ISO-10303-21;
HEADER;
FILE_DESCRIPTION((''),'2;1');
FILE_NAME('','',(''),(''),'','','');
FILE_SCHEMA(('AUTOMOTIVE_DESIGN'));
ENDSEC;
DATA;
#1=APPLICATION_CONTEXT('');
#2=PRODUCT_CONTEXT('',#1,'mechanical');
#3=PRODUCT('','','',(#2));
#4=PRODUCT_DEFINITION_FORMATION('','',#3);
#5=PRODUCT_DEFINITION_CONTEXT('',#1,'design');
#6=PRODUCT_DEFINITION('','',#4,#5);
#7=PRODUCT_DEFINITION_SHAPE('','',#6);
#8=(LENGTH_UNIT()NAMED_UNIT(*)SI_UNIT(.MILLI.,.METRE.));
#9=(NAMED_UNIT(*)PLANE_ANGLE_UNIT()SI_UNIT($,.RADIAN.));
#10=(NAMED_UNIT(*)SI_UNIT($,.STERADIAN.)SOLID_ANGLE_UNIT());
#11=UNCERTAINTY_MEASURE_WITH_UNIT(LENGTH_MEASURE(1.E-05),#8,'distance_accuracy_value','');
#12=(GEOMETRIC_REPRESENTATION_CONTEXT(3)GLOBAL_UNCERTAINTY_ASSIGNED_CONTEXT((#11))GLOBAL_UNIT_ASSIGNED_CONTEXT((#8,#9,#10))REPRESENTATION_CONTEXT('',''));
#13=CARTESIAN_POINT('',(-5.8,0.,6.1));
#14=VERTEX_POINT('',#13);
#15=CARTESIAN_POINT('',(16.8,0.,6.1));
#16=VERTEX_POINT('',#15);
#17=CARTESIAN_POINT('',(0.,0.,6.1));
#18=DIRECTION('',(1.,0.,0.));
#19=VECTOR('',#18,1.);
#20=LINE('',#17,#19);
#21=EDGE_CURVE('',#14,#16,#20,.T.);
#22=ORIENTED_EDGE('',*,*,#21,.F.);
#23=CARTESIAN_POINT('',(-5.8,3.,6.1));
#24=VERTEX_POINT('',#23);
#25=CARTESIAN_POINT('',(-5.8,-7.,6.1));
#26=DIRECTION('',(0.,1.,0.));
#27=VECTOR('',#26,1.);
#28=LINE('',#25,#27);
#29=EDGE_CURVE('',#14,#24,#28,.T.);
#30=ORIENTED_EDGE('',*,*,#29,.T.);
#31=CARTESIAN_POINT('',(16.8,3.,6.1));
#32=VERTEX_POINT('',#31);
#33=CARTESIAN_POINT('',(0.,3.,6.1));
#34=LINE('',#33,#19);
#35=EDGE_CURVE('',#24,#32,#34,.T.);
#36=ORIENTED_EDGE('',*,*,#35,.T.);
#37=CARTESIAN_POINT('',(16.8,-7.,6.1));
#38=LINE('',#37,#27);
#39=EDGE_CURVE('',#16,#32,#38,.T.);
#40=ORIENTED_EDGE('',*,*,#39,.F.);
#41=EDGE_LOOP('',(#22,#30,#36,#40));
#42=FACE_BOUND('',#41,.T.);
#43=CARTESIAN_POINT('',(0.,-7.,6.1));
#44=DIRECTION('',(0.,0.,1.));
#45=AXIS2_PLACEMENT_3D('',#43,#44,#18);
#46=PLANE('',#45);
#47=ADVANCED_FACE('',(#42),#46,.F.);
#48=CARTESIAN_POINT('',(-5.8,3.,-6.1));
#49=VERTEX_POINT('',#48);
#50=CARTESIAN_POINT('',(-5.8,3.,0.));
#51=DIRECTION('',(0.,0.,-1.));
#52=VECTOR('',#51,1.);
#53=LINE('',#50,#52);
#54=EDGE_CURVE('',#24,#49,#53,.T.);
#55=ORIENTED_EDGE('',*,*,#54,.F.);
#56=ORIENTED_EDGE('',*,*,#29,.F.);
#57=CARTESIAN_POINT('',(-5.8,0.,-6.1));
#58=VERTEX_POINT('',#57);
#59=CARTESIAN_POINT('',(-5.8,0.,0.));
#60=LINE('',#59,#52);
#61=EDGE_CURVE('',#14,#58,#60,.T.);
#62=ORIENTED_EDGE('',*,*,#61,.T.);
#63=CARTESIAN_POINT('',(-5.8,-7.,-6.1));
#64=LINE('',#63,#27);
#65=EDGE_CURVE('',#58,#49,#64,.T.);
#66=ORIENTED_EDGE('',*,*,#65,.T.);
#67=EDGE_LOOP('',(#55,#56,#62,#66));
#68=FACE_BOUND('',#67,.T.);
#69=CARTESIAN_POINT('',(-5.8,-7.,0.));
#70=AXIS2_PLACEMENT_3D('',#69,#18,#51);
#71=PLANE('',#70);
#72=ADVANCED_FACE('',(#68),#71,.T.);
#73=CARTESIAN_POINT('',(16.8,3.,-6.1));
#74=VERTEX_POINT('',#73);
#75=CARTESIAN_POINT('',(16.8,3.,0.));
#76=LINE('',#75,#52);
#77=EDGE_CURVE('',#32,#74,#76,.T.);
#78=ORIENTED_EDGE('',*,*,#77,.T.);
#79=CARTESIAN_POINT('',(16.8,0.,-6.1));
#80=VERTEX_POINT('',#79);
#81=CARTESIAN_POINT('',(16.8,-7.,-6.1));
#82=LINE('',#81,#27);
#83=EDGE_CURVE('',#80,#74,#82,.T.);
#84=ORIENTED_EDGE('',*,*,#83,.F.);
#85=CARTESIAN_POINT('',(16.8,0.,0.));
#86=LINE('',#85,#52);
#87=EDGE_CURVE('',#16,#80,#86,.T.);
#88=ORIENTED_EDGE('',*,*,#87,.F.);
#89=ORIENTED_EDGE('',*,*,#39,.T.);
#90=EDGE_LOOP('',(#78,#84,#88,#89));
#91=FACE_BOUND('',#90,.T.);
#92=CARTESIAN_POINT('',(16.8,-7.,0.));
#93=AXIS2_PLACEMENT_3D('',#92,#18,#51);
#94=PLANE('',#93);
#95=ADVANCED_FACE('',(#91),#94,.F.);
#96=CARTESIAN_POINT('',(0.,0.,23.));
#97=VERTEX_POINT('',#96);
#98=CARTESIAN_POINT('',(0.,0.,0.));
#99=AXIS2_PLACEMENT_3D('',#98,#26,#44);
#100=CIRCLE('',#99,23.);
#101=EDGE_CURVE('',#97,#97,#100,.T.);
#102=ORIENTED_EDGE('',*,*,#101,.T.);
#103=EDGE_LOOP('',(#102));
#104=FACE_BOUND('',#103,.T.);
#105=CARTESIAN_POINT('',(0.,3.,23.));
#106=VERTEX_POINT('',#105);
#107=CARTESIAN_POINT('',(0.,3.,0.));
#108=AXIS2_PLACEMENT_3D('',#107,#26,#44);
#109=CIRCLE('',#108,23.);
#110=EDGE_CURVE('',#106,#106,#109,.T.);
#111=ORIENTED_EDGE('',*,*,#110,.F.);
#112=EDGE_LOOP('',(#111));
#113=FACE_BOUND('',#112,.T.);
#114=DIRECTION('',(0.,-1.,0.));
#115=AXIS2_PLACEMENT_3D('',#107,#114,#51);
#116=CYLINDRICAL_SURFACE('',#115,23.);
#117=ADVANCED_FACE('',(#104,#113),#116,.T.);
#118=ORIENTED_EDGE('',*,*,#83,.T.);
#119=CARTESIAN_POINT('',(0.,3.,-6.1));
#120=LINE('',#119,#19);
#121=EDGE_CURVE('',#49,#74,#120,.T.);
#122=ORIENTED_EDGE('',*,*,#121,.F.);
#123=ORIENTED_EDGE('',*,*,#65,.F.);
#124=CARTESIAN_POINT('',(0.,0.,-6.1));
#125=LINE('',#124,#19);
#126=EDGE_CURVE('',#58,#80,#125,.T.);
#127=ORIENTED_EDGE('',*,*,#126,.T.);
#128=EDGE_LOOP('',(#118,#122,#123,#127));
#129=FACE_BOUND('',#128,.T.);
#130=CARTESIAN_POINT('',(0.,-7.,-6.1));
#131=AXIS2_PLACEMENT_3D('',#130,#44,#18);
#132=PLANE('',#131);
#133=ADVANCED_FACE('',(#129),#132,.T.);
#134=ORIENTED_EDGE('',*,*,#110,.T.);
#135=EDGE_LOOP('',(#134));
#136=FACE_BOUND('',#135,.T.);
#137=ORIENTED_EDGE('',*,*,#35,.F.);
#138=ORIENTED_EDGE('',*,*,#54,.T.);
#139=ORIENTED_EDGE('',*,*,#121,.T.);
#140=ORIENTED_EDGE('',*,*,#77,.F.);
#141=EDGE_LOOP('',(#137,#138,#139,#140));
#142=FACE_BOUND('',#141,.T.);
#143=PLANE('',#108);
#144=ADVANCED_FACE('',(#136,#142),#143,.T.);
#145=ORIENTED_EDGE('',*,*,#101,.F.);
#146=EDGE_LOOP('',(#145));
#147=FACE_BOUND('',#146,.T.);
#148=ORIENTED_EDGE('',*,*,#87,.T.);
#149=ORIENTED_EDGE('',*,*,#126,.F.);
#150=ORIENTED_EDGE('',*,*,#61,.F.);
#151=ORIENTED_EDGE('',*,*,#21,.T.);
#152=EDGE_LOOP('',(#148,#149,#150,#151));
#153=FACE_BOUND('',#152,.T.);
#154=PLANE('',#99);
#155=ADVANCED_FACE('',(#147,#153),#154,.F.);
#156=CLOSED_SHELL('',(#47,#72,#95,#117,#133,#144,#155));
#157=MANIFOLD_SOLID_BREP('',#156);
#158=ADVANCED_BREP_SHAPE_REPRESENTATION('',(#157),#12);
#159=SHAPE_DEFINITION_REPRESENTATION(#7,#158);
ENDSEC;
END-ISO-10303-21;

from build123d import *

# Parameters (mm, degrees)
SKETCH1_R           = 23
BOSS_EXTRUDE1_DEPTH = 3
SKETCH2_W           = 5.8
SKETCH2_H           = 6.1
SKETCH2_W_2         = 16.8
CUT_EXTRUDE1_DEPTH  = 10


with BuildPart() as part:
    # Sketch1 → Boss-Extrude1 (new body)
    with BuildSketch(Plane(origin=(0, 0, 0), x_dir=(1, 0, 0), z_dir=(0, 1, 0))):
        with Locations(Location((0, 0, 0), (0, 0, 270))):
            Circle(SKETCH1_R)
    extrude(amount=BOSS_EXTRUDE1_DEPTH)

    # Sketch2 → Cut-Extrude1 (cut)
    with BuildSketch(Plane(origin=(0, 3, 0), x_dir=(1, 0, 0), z_dir=(0, 1, 0))):
        with Locations((-2.9, 3.05)):
            Rectangle(SKETCH2_W, SKETCH2_H)
        with Locations((8.4, 3.05)):
            Rectangle(SKETCH2_W_2, SKETCH2_H)
        with Locations((8.4, -3.05)):
            Rectangle(SKETCH2_W_2, SKETCH2_H)
        with Locations((-2.9, -3.05)):
            Rectangle(SKETCH2_W, SKETCH2_H)
    extrude(amount=-CUT_EXTRUDE1_DEPTH, mode=Mode.SUBTRACT)


solid = part.part
